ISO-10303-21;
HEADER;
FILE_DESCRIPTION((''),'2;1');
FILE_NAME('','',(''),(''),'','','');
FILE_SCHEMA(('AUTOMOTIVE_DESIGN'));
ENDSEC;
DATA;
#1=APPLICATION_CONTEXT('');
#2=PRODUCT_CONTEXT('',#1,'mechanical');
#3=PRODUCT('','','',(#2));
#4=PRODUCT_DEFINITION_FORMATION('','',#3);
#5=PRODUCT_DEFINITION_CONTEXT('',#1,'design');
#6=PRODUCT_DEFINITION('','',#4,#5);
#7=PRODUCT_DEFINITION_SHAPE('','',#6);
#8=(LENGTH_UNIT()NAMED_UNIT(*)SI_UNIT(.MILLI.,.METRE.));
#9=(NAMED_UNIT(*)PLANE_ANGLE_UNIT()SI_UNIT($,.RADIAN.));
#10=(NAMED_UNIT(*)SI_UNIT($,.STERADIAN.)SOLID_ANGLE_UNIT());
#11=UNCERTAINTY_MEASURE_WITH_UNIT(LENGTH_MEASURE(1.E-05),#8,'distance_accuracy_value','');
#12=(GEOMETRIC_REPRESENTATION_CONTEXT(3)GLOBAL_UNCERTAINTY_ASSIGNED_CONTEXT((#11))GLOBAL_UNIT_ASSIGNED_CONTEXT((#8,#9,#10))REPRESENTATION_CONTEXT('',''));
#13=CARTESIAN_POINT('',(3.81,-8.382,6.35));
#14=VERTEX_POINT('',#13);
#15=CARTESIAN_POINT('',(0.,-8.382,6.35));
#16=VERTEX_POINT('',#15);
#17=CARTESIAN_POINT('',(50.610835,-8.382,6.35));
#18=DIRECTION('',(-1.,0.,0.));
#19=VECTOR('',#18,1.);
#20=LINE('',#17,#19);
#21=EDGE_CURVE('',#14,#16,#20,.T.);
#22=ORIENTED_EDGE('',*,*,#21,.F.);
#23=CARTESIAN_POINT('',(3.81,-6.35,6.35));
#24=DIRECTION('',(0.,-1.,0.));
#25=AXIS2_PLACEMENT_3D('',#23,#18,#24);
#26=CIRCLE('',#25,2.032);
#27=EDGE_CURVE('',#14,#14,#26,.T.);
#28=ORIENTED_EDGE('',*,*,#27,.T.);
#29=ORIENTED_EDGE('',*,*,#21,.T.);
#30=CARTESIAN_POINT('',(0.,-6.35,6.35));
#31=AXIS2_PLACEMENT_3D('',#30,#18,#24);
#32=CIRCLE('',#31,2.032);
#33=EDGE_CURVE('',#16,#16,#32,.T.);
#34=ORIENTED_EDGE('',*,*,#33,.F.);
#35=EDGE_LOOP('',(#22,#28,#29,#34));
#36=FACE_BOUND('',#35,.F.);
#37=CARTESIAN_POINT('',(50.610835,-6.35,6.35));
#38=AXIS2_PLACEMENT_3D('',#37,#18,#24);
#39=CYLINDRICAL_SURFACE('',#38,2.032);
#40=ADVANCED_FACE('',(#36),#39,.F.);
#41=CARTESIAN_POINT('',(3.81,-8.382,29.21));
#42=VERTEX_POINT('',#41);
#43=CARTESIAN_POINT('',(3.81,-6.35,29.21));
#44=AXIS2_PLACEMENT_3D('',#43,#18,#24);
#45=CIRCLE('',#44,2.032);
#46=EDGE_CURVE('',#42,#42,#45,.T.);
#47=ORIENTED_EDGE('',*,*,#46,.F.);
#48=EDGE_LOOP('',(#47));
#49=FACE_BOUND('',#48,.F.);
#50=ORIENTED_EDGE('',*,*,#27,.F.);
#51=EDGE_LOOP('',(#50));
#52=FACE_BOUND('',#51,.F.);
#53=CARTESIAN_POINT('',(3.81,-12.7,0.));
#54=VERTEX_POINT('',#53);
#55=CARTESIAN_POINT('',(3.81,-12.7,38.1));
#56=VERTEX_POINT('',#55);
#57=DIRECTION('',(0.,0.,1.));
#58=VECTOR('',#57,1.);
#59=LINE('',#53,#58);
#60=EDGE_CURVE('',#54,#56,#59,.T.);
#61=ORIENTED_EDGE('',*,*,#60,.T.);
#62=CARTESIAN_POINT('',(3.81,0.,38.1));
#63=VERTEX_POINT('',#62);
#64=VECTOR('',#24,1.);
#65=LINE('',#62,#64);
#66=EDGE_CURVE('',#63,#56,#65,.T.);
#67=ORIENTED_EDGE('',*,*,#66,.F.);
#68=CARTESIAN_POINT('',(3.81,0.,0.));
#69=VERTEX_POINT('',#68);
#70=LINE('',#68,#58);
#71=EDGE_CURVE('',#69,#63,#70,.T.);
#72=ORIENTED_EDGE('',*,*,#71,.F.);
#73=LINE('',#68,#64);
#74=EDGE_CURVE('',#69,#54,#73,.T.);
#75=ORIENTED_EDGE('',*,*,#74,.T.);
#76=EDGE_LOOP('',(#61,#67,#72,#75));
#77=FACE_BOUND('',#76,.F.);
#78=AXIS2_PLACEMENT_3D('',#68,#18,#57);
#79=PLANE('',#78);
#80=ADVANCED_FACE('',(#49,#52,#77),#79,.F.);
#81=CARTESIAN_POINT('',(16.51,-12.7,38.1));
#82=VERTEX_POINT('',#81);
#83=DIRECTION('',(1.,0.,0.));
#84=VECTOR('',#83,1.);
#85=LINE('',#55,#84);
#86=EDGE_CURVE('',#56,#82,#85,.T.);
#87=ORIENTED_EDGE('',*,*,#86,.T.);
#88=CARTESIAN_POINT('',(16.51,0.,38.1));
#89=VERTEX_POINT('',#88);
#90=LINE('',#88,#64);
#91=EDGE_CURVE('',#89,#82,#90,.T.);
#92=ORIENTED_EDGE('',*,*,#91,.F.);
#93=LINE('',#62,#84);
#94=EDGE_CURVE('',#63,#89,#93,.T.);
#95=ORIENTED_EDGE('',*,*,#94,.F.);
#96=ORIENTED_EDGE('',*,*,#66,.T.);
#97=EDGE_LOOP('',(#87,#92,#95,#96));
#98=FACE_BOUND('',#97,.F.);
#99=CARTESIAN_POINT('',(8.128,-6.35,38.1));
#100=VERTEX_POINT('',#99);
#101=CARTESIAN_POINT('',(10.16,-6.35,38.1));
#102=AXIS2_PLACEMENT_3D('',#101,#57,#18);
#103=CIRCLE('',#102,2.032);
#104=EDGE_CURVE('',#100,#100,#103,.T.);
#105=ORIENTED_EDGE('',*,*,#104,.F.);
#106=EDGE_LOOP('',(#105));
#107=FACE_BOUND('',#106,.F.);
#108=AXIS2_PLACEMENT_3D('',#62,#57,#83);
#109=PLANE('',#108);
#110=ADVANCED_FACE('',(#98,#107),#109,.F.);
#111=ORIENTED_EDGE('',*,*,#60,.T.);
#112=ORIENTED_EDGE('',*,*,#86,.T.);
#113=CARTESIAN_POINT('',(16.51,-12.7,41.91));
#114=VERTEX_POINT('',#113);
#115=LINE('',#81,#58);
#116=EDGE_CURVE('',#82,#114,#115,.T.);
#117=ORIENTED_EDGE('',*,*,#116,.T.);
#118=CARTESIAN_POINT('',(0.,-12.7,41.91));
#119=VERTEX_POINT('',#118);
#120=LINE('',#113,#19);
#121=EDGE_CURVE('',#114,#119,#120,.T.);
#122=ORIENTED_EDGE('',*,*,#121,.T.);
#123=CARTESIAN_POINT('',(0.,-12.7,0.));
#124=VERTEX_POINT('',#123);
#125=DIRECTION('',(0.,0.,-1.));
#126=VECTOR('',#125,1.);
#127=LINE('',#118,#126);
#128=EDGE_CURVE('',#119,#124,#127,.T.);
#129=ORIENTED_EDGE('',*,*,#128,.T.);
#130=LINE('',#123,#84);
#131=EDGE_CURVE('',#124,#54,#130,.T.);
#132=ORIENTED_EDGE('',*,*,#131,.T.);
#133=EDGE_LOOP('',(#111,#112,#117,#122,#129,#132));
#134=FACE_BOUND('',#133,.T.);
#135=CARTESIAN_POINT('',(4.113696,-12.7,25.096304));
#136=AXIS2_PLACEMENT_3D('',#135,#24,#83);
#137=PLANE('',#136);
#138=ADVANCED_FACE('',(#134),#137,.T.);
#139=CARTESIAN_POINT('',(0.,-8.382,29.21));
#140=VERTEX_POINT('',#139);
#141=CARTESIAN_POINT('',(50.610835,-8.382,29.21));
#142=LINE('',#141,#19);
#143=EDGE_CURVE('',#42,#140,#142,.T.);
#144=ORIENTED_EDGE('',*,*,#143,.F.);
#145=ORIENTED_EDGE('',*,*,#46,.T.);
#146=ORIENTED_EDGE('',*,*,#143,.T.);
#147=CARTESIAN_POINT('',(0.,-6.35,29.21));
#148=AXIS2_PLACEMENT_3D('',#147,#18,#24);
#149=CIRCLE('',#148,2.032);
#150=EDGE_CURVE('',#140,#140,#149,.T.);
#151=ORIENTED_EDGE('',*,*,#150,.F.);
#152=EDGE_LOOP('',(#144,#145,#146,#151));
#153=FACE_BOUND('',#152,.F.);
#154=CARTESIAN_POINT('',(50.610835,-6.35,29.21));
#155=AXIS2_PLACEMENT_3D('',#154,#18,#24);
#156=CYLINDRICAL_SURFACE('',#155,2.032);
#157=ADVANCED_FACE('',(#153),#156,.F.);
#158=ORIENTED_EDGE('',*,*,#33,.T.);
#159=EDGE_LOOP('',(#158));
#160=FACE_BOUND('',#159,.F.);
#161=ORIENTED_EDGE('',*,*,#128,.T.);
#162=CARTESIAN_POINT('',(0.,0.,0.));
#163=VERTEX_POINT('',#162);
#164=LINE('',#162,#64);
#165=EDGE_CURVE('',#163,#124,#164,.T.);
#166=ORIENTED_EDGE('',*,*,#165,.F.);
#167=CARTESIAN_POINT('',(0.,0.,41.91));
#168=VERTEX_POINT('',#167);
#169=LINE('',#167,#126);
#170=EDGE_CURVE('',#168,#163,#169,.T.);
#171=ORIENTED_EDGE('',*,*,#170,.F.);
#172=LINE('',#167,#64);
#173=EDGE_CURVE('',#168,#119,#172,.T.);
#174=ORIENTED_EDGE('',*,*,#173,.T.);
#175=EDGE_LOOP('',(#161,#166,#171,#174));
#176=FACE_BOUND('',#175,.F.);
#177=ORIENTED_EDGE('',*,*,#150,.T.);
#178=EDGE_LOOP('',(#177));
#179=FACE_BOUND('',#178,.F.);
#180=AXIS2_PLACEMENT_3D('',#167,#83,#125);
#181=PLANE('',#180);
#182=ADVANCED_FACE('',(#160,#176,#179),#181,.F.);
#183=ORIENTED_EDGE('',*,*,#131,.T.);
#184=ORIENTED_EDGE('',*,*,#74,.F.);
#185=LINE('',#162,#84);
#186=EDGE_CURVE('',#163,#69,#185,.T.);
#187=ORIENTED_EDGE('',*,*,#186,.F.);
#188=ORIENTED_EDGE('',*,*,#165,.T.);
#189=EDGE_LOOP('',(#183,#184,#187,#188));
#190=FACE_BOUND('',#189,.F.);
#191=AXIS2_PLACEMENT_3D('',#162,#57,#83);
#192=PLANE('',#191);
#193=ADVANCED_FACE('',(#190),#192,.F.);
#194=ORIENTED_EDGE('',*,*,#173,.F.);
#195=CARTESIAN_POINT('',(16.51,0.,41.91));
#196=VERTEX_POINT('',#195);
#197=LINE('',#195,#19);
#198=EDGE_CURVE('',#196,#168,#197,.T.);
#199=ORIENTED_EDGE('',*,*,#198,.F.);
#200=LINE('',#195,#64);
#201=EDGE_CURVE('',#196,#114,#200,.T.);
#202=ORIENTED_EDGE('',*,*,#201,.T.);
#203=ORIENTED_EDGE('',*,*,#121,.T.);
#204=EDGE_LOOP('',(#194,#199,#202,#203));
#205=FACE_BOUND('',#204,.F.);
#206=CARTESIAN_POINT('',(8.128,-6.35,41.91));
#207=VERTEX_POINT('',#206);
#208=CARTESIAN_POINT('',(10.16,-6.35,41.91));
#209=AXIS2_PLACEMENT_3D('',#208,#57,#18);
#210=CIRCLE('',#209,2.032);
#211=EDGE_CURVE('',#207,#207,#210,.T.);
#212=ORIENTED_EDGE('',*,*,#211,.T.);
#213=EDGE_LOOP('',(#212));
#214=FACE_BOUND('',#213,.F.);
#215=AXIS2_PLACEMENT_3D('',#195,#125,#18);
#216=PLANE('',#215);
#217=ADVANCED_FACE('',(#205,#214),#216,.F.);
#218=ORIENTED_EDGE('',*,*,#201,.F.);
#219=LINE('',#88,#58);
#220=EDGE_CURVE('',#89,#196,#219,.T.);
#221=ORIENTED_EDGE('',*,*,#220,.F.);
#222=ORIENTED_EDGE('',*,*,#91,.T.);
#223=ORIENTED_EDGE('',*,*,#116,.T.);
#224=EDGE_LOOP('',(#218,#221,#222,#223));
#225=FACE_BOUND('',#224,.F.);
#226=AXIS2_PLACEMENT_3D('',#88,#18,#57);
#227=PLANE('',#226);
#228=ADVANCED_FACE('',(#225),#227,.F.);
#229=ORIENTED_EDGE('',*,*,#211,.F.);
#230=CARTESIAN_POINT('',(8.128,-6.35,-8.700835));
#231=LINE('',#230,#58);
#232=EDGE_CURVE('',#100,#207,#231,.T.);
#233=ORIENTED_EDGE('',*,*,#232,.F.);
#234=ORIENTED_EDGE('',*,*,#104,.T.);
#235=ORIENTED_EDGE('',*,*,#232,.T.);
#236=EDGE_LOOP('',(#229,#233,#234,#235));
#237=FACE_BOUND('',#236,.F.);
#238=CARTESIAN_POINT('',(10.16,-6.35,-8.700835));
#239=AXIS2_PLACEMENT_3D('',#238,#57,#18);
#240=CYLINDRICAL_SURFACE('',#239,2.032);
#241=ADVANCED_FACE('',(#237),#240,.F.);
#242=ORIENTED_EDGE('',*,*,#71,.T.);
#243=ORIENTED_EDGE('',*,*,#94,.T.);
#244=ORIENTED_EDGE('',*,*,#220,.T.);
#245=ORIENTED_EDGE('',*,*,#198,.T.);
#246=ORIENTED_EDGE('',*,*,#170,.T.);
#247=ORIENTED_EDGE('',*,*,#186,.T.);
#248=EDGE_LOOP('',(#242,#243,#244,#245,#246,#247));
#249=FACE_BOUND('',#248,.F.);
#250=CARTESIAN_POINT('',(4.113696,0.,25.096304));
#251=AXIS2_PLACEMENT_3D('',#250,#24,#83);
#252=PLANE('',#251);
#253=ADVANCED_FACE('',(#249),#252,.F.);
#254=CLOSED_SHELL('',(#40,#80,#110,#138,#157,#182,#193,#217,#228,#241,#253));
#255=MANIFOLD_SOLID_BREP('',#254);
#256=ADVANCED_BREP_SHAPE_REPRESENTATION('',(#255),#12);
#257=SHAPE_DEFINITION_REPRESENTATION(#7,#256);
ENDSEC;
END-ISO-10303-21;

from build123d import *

# Parameters (mm, degrees)
F1_DEPTH = 12.7
F3_D     = 4.064
F5_D     = 4.064


with BuildPart() as f1:
    # F0 (on Front) → F1 (new body)
    with BuildSketch(Plane.XZ):
        Polygon((0, 41.91), (0, 0), (3.81, 0), (3.81, 38.1), (16.51, 38.1), (16.51, 41.91), align=None)
    extrude(amount=F1_DEPTH)

    # F3 (through all)
    with Locations(Plane(origin=(0, 0, 38.1), x_dir=(1, 0, 0), z_dir=(0, 0, -1))):
        with Locations((10.16, 6.35)):
            Hole(F3_D / 2)

    # F5 (through all)
    with Locations(Plane.YZ.offset(3.81)):
        with Locations((-6.35, 29.21), (-6.35, 6.35)):
            Hole(F5_D / 2)


solid = f1.part
